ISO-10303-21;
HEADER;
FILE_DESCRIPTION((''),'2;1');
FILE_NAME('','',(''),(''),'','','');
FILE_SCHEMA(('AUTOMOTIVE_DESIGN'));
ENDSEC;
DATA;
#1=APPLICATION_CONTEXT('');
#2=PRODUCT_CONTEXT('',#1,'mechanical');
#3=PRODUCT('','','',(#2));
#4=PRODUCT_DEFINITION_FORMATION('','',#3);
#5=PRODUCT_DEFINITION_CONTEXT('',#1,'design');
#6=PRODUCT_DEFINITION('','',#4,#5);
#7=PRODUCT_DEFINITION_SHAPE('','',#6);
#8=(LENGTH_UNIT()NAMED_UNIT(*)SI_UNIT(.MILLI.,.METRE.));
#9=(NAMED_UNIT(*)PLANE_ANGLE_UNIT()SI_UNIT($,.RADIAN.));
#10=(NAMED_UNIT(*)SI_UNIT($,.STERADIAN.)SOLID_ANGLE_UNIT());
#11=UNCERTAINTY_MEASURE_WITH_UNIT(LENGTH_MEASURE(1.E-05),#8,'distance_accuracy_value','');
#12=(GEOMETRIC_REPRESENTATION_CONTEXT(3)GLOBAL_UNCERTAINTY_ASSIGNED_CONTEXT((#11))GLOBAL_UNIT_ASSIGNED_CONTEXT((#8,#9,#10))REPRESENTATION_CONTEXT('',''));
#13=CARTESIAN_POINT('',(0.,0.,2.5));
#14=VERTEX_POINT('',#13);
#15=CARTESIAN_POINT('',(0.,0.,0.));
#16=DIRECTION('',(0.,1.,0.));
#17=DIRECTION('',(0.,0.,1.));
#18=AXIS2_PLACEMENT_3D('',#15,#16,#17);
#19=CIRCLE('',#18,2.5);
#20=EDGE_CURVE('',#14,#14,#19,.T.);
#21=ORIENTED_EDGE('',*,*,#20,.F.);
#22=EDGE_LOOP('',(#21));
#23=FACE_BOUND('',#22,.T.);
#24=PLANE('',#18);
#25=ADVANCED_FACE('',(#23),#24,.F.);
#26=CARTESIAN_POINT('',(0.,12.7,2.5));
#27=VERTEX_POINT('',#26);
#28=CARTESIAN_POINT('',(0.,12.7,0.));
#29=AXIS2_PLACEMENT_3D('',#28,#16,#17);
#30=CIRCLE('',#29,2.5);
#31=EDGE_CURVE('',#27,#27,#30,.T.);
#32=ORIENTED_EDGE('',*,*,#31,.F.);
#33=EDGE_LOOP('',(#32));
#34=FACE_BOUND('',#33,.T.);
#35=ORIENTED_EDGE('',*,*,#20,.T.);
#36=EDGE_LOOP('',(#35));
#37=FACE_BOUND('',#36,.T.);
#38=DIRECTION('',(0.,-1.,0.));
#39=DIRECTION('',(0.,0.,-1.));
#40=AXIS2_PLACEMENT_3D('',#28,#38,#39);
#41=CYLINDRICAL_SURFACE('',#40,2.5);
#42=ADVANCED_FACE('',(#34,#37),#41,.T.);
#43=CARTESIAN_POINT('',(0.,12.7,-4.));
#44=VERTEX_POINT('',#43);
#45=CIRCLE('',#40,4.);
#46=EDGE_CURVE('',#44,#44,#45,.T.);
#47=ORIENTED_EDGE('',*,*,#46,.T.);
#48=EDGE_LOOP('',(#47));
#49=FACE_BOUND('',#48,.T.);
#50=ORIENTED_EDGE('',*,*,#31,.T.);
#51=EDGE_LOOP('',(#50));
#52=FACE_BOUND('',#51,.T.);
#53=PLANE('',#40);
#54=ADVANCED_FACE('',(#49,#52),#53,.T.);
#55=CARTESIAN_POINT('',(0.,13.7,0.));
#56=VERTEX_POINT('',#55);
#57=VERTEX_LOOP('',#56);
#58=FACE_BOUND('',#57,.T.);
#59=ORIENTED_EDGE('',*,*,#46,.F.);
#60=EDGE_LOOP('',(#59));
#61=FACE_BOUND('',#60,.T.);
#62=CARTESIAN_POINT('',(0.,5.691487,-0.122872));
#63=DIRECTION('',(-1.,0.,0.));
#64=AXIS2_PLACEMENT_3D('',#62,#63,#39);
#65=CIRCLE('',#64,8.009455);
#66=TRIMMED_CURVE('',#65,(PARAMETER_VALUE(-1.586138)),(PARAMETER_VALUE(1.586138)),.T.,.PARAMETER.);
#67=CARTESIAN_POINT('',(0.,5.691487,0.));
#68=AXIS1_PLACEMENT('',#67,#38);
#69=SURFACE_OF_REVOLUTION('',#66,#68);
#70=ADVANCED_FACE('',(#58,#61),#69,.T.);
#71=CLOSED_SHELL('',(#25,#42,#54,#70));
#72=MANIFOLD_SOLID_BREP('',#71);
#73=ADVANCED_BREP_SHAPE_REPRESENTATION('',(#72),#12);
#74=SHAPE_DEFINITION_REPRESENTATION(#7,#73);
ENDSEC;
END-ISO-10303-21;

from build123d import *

# Parameters (mm, degrees)
SKETCH1_R           = 2.5
BOSS_EXTRUDE1_DEPTH = 12.7


with BuildPart() as part:
    # Sketch1 → Boss-Extrude1 (new body)
    with BuildSketch(Plane(origin=(0, 0, 0), x_dir=(1, 0, 0), z_dir=(0, 1, 0))):
        with Locations(Location((0, 0, 0), (0, 0, 270))):
            Circle(SKETCH1_R)
    extrude(amount=BOSS_EXTRUDE1_DEPTH)

    # Sketch2 → Revolve1 (revolve)
    with BuildSketch(Plane.XY):
        with BuildLine():
            Line((0, 12.7), (0, 13.7))
            ThreePointArc((0, 13.7), (2.065450055, 13.461800222), (4, 12.7))
            Line((4, 12.7), (0, 12.7))
        make_face()
    revolve(axis=Axis((0, 12.7, 0), (0, 1, 0)))


solid = part.part
